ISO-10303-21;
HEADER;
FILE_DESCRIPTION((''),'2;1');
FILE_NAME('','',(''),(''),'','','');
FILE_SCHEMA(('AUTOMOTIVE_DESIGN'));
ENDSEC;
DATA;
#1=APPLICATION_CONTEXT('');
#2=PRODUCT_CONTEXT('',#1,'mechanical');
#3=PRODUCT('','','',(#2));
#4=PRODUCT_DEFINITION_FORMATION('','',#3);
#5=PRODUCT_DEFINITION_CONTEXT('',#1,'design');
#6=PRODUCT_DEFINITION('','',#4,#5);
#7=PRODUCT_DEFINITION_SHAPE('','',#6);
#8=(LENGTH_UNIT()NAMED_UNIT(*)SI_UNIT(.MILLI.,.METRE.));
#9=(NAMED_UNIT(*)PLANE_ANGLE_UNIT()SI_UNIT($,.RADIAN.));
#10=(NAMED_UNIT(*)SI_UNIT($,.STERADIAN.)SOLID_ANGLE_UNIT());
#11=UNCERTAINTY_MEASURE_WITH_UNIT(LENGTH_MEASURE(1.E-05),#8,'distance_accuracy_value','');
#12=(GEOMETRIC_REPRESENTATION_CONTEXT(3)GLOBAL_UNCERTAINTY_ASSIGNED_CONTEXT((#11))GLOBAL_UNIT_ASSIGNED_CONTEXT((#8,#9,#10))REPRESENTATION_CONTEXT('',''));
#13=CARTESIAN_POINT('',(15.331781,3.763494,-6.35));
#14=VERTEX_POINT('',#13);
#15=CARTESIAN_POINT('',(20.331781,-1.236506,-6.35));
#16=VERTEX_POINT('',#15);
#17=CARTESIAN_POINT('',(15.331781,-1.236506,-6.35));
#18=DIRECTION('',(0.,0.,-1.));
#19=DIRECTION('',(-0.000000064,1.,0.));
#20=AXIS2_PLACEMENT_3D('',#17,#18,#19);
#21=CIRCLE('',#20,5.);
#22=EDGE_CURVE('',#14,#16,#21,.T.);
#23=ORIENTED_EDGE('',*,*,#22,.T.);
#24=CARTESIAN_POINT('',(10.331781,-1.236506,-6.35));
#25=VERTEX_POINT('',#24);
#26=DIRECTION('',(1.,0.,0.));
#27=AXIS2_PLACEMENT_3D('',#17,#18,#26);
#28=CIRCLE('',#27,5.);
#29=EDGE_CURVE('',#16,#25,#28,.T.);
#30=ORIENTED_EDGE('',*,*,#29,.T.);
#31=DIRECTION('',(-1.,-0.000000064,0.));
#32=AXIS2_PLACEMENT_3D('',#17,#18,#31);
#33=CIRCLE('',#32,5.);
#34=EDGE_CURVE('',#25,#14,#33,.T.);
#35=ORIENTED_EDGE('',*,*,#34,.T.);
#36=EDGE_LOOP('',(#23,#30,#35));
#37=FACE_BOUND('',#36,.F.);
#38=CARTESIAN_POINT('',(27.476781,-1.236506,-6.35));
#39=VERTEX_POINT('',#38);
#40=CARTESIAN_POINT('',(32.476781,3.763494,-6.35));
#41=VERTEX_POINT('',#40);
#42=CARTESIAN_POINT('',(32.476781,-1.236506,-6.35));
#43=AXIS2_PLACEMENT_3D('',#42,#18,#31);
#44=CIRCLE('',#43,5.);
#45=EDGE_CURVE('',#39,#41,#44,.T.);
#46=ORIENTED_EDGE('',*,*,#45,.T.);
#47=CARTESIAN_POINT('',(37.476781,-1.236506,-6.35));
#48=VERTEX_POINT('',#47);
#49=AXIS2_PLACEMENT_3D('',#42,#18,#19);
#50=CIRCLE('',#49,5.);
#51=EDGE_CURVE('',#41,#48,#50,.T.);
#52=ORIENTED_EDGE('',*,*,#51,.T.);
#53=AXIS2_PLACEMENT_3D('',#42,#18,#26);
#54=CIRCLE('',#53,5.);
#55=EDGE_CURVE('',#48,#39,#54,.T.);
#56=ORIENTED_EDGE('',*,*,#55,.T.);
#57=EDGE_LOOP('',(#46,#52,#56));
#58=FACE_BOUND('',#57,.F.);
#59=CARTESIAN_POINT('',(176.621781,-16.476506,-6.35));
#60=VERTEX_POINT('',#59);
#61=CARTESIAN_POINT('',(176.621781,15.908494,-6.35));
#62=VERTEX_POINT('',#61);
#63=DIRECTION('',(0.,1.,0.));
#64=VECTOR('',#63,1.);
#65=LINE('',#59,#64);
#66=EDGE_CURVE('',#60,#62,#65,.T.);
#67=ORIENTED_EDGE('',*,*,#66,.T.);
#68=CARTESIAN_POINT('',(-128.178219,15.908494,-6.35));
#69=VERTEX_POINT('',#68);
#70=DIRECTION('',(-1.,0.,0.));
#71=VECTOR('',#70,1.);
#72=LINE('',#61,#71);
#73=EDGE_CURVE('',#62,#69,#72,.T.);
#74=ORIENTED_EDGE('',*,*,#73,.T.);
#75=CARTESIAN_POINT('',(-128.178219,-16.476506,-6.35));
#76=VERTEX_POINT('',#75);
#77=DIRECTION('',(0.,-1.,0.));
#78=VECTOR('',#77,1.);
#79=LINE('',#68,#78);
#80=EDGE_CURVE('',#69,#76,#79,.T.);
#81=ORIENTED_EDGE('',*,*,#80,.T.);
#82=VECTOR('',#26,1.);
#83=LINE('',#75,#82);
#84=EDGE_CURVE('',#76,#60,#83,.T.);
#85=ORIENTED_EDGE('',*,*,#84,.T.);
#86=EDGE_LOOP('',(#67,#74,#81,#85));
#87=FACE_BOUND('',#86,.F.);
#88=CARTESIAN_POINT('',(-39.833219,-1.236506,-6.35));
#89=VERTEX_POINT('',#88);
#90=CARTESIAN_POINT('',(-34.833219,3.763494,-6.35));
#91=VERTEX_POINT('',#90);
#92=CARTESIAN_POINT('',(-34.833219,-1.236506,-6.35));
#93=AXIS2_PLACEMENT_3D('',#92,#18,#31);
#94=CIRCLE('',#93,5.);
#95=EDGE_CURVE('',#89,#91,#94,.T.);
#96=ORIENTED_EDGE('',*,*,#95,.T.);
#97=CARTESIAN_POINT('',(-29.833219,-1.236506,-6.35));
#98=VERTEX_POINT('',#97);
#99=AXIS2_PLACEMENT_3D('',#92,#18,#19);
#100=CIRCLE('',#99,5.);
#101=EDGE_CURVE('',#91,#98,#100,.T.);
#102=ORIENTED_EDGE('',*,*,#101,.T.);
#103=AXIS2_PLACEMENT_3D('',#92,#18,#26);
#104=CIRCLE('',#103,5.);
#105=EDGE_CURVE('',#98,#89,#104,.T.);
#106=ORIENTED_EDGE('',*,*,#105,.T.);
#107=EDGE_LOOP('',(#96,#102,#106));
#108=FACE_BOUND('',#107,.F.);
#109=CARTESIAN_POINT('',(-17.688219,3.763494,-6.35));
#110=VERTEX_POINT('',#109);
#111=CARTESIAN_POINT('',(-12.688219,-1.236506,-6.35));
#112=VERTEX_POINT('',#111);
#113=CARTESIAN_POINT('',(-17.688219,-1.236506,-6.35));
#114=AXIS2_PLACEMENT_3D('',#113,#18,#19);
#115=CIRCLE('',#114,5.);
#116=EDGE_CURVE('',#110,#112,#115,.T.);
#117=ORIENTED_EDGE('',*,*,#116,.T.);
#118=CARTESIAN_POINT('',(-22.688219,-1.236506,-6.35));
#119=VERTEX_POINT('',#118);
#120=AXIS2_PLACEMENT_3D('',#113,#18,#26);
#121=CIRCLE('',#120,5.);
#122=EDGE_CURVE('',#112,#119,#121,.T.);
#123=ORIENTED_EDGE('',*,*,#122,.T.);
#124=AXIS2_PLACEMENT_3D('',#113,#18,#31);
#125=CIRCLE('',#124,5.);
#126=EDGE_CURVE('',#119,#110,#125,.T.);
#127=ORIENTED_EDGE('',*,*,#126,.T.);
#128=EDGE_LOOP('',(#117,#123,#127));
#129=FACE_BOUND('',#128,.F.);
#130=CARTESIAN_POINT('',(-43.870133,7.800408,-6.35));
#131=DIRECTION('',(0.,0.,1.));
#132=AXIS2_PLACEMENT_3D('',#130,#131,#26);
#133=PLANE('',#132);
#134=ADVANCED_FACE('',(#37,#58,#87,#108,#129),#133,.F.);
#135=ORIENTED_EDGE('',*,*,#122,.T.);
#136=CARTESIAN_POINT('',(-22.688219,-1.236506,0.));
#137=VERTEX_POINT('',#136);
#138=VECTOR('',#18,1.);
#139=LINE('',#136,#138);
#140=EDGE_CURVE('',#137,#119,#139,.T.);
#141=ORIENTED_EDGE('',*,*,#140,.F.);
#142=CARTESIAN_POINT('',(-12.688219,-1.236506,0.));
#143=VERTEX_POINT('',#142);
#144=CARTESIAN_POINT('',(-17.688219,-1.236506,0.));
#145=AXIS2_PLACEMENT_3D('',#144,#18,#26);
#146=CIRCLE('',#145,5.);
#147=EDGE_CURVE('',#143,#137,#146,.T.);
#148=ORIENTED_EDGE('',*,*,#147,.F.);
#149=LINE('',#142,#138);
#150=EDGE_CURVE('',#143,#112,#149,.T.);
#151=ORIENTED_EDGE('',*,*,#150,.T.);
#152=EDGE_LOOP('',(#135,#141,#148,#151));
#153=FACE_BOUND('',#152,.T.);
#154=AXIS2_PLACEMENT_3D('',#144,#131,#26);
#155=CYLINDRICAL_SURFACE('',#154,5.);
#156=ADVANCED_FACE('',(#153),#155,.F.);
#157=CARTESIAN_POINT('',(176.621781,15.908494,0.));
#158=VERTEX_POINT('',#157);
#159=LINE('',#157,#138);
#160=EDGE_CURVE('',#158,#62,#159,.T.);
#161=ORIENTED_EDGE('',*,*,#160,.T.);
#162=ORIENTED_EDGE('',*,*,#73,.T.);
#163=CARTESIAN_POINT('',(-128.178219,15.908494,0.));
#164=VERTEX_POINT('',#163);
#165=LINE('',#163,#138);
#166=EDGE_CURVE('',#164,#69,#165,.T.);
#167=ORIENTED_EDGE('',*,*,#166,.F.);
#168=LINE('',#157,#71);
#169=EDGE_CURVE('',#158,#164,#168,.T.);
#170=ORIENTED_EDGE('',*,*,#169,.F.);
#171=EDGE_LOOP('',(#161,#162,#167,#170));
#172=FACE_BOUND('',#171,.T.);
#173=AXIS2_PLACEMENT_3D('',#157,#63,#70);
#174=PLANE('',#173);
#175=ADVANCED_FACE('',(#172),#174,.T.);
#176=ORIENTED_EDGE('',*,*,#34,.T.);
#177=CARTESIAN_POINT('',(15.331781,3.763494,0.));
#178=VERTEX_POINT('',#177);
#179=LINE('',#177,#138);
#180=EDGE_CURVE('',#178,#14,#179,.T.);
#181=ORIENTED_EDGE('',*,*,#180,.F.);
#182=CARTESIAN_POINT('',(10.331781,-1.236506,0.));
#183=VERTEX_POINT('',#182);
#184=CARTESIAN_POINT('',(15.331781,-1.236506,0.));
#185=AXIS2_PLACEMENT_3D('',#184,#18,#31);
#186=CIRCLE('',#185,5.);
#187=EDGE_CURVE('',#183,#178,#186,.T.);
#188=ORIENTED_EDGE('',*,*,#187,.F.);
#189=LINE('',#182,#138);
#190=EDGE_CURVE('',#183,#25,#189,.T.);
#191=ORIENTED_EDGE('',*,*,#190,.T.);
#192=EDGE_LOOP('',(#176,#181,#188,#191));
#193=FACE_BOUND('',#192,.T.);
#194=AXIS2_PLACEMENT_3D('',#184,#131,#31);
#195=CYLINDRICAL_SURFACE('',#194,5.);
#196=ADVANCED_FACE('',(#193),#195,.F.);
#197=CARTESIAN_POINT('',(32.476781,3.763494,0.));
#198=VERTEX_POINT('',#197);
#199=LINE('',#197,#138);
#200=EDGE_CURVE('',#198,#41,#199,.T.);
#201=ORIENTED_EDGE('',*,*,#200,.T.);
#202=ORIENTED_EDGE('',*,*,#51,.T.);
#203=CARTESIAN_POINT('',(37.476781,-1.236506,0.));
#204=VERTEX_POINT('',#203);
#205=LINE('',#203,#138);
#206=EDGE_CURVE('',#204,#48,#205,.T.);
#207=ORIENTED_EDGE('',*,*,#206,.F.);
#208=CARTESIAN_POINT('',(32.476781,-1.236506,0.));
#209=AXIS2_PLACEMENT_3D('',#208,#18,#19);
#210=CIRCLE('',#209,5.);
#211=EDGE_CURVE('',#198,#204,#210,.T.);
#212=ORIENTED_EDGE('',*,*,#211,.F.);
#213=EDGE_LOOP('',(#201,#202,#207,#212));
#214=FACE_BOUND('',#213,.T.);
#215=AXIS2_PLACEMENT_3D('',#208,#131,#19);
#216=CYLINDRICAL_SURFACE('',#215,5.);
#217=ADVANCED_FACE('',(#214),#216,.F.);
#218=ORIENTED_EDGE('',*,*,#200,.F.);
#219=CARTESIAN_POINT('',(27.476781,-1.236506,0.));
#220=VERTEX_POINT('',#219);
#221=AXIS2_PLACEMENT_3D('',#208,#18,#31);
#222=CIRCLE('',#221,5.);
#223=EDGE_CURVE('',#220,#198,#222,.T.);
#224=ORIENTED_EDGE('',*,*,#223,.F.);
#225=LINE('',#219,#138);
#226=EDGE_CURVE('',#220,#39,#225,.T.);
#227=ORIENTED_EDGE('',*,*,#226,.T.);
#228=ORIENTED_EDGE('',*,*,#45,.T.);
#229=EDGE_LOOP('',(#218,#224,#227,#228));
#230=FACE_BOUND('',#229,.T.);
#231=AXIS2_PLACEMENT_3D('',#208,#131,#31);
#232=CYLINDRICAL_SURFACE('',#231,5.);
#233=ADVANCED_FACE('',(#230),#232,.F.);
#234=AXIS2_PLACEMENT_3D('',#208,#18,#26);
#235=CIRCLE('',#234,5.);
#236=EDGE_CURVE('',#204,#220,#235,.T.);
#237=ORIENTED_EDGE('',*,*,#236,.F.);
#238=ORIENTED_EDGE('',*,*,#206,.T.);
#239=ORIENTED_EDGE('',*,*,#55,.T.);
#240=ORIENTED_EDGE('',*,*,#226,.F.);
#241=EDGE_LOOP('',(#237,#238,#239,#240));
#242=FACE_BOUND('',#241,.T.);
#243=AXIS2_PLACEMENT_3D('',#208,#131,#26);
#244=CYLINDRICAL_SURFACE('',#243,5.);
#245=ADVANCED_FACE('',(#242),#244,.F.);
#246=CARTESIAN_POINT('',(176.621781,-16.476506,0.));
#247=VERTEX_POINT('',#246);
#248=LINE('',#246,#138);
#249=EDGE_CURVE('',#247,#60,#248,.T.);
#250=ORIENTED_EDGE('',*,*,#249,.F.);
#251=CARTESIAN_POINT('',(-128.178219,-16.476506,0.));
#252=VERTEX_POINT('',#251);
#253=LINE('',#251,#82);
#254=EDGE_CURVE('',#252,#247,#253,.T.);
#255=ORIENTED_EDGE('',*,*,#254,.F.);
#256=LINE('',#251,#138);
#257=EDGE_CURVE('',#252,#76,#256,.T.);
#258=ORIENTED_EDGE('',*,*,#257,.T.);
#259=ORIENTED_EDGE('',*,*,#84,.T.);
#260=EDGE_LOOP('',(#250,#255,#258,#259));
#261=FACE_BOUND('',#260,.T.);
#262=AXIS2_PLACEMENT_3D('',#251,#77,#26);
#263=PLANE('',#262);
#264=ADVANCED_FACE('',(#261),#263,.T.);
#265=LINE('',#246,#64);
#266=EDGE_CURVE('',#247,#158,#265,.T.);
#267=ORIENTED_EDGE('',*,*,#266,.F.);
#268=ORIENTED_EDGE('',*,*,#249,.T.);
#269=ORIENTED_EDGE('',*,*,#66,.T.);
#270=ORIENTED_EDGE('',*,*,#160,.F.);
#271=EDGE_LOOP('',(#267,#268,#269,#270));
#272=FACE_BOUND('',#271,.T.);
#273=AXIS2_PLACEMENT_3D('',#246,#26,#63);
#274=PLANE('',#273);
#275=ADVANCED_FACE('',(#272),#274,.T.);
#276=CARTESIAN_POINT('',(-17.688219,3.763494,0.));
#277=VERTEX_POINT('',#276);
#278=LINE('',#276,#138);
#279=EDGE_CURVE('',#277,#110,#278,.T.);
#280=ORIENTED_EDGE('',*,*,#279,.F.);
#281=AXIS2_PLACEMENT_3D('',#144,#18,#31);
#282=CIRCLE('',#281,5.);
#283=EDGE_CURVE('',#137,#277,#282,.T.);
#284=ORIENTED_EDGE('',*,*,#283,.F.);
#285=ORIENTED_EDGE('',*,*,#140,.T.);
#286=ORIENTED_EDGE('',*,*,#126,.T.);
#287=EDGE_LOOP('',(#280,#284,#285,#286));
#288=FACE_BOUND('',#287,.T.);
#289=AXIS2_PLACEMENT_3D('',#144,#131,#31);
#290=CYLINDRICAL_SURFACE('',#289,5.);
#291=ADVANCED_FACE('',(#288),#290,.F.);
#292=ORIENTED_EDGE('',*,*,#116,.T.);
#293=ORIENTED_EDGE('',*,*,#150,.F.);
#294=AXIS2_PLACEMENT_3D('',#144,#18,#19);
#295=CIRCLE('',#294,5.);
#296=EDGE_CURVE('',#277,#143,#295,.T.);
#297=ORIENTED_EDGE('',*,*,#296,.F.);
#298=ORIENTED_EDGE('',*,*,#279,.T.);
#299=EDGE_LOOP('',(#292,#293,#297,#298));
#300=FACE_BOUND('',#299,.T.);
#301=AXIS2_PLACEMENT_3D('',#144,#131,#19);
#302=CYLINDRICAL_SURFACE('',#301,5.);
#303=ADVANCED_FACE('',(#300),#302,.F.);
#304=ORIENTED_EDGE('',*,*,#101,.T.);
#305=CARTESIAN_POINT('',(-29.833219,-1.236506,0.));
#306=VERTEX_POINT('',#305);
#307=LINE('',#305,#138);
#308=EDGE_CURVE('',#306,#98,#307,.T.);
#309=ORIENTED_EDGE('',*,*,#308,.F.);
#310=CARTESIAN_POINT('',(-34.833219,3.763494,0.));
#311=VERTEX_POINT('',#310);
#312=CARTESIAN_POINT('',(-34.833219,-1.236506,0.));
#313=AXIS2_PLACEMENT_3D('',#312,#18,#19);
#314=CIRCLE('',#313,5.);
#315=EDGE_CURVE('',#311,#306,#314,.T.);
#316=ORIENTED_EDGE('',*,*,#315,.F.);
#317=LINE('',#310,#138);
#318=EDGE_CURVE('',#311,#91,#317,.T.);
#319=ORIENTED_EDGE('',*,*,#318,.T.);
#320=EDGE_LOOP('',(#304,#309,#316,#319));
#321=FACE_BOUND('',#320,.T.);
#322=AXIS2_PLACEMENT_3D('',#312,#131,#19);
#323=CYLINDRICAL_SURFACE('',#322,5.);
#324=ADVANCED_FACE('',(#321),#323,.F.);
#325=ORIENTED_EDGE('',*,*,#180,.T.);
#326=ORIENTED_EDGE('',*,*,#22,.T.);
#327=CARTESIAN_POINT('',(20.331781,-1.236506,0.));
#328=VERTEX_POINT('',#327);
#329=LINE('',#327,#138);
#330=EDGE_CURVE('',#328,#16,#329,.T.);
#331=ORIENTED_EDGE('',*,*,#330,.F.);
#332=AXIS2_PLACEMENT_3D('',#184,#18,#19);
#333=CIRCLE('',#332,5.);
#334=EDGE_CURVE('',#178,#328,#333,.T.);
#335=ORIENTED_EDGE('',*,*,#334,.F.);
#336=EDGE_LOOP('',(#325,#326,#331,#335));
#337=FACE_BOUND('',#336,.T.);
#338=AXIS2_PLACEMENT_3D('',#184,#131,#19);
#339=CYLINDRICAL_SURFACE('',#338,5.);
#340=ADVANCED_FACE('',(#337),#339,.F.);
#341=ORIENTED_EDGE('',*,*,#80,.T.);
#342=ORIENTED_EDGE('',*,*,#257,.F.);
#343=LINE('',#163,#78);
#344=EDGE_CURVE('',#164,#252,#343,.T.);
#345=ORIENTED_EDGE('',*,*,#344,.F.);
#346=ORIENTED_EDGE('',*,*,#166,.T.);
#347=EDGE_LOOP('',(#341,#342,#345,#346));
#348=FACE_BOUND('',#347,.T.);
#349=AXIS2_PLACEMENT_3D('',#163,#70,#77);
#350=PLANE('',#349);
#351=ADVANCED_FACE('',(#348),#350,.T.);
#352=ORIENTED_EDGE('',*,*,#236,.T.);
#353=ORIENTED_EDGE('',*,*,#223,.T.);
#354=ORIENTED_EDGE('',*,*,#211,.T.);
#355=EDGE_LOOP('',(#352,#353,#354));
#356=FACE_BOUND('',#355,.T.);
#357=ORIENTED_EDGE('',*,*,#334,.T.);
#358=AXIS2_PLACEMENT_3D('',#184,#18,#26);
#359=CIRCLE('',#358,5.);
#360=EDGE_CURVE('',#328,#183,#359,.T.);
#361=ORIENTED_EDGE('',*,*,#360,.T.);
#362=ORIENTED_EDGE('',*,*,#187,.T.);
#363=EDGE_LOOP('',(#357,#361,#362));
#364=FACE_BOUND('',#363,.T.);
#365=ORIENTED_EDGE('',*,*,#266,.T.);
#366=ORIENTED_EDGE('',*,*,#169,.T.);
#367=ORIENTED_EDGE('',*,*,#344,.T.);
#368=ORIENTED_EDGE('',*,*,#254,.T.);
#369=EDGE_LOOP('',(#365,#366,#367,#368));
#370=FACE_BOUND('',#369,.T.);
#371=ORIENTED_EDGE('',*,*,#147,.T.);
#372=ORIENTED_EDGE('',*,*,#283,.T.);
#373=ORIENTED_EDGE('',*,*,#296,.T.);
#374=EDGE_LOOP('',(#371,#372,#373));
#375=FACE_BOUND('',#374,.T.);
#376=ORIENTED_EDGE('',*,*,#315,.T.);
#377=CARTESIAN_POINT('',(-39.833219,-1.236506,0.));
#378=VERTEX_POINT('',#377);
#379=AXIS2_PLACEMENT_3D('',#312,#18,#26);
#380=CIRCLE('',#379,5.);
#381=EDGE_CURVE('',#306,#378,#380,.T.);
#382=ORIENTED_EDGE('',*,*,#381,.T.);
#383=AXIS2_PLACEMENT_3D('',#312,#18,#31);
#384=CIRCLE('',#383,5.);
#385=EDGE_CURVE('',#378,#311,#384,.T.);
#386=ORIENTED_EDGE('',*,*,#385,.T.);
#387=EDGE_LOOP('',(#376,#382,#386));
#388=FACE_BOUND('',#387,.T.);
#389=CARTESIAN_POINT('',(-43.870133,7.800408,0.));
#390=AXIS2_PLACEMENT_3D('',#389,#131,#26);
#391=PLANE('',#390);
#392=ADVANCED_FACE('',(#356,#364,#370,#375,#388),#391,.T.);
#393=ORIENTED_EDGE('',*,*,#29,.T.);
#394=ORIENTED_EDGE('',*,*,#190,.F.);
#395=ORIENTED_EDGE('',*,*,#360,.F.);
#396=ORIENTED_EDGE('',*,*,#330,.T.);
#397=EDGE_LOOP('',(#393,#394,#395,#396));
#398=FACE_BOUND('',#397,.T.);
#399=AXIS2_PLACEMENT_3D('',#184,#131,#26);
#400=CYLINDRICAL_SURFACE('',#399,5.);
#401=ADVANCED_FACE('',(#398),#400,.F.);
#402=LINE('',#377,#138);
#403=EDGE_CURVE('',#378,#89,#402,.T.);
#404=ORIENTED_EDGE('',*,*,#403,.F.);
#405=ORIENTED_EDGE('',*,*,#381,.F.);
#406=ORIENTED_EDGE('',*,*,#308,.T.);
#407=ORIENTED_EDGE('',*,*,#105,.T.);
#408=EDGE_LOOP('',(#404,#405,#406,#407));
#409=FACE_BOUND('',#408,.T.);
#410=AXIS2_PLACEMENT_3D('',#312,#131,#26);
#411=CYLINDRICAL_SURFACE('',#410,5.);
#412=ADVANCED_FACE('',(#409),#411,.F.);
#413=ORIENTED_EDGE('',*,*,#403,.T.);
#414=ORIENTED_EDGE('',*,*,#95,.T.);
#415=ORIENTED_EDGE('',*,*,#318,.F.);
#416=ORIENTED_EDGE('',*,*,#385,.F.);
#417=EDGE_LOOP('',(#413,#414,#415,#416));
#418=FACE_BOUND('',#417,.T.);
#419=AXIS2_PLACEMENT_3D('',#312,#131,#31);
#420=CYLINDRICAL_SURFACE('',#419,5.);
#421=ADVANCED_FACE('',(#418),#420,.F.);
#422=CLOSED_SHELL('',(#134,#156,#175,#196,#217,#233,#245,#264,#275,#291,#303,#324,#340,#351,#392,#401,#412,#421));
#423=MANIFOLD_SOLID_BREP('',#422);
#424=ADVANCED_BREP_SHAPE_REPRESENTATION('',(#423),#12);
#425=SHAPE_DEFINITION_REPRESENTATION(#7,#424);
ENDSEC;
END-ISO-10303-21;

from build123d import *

# Parameters (mm, degrees)
F0_W     = 76.2
F0_H     = 17.145
F0_H_2   = 15.24
F1_DEPTH = 6.35


with BuildPart() as f1:
    # F0 (on Top) → F1 (new body)
    with BuildSketch(Plane.XY):
        with BuildLine():
            Line((-34.833219, 15.908494), (-51.978219, 15.908494))
            Line((-51.978219, 15.908494), (-51.978219, -1.236506))
            Line((-51.978219, -1.236506), (-39.833219, -1.236506))
            ThreePointArc((-39.833219, -1.236506), (-38.368753, 2.299028), (-34.833219, 3.763494))
            Line((-34.833219, 3.763494), (-34.833219, 15.908494))
        make_face()
        with Locations((-90.078219, 7.335994)):
            Rectangle(F0_W, F0_H)
        with BuildLine():
            Line((-17.688219, 15.908494), (-34.833219, 15.908494))
            Line((-34.833219, 15.908494), (-34.833219, 3.763494))
            ThreePointArc((-34.833219, 3.763494), (-31.297685, 2.299028), (-29.833219, -1.236506))
            Line((-29.833219, -1.236506), (-22.688219, -1.236506))
            ThreePointArc((-22.688219, -1.236506), (-21.223753, 2.299028), (-17.688219, 3.763494))
            Line((-17.688219, 3.763494), (-17.688219, 15.908494))
        make_face()
        with Locations((-90.078219, -8.856506)):
            Rectangle(F0_W, F0_H_2)
        with BuildLine():
            Line((-39.833219, -1.236506), (-51.978219, -1.236506))
            Line((-51.978219, -1.236506), (-51.978219, -16.476506))
            Line((-51.978219, -16.476506), (49.621781, -16.476506))
            Line((49.621781, -16.476506), (49.621781, -1.236506))
            Line((49.621781, -1.236506), (37.476781, -1.236506))
            ThreePointArc((37.476781, -1.236506), (32.476781, -6.236506), (27.476781, -1.236506))
            Line((27.476781, -1.236506), (20.331781, -1.236506))
            ThreePointArc((20.331781, -1.236506), (15.331781, -6.236506), (10.331781, -1.236506))
            Line((10.331781, -1.236506), (-12.688219, -1.236506))
            ThreePointArc((-12.688219, -1.236506), (-17.688219, -6.236506), (-22.688219, -1.236506))
            Line((-22.688219, -1.236506), (-29.833219, -1.236506))
            ThreePointArc((-29.833219, -1.236506), (-34.833219, -6.236506), (-39.833219, -1.236506))
        make_face()
        with BuildLine():
            Line((15.331781, 15.908494), (-17.688219, 15.908494))
            Line((-17.688219, 15.908494), (-17.688219, 3.763494))
            ThreePointArc((-17.688219, 3.763494), (-14.152685, 2.299028), (-12.688219, -1.236506))
            Line((-12.688219, -1.236506), (10.331781, -1.236506))
            ThreePointArc((10.331781, -1.236506), (11.796247, 2.299028), (15.331781, 3.763494))
            Line((15.331781, 3.763494), (15.331781, 15.908494))
        make_face()
        with BuildLine():
            Line((32.476781, 15.908494), (15.331781, 15.908494))
            Line((15.331781, 15.908494), (15.331781, 3.763494))
            ThreePointArc((15.331781, 3.763494), (18.867315, 2.299028), (20.331781, -1.236506))
            Line((20.331781, -1.236506), (27.476781, -1.236506))
            ThreePointArc((27.476781, -1.236506), (28.941247, 2.299028), (32.476781, 3.763494))
            Line((32.476781, 3.763494), (32.476781, 15.908494))
        make_face()
        Polygon((49.621781, -1.236506), (49.621781, -16.476506), (176.621781, -16.476506), (176.621781, 15.908494), (49.621781, 15.908494), align=None)
        with BuildLine():
            Line((49.621781, 15.908494), (32.476781, 15.908494))
            Line((32.476781, 15.908494), (32.476781, 3.763494))
            ThreePointArc((32.476781, 3.763494), (36.012315, 2.299028), (37.476781, -1.236506))
            Line((37.476781, -1.236506), (49.621781, -1.236506))
            Line((49.621781, -1.236506), (49.621781, 15.908494))
        make_face()
    extrude(amount=-F1_DEPTH)


solid = f1.part
